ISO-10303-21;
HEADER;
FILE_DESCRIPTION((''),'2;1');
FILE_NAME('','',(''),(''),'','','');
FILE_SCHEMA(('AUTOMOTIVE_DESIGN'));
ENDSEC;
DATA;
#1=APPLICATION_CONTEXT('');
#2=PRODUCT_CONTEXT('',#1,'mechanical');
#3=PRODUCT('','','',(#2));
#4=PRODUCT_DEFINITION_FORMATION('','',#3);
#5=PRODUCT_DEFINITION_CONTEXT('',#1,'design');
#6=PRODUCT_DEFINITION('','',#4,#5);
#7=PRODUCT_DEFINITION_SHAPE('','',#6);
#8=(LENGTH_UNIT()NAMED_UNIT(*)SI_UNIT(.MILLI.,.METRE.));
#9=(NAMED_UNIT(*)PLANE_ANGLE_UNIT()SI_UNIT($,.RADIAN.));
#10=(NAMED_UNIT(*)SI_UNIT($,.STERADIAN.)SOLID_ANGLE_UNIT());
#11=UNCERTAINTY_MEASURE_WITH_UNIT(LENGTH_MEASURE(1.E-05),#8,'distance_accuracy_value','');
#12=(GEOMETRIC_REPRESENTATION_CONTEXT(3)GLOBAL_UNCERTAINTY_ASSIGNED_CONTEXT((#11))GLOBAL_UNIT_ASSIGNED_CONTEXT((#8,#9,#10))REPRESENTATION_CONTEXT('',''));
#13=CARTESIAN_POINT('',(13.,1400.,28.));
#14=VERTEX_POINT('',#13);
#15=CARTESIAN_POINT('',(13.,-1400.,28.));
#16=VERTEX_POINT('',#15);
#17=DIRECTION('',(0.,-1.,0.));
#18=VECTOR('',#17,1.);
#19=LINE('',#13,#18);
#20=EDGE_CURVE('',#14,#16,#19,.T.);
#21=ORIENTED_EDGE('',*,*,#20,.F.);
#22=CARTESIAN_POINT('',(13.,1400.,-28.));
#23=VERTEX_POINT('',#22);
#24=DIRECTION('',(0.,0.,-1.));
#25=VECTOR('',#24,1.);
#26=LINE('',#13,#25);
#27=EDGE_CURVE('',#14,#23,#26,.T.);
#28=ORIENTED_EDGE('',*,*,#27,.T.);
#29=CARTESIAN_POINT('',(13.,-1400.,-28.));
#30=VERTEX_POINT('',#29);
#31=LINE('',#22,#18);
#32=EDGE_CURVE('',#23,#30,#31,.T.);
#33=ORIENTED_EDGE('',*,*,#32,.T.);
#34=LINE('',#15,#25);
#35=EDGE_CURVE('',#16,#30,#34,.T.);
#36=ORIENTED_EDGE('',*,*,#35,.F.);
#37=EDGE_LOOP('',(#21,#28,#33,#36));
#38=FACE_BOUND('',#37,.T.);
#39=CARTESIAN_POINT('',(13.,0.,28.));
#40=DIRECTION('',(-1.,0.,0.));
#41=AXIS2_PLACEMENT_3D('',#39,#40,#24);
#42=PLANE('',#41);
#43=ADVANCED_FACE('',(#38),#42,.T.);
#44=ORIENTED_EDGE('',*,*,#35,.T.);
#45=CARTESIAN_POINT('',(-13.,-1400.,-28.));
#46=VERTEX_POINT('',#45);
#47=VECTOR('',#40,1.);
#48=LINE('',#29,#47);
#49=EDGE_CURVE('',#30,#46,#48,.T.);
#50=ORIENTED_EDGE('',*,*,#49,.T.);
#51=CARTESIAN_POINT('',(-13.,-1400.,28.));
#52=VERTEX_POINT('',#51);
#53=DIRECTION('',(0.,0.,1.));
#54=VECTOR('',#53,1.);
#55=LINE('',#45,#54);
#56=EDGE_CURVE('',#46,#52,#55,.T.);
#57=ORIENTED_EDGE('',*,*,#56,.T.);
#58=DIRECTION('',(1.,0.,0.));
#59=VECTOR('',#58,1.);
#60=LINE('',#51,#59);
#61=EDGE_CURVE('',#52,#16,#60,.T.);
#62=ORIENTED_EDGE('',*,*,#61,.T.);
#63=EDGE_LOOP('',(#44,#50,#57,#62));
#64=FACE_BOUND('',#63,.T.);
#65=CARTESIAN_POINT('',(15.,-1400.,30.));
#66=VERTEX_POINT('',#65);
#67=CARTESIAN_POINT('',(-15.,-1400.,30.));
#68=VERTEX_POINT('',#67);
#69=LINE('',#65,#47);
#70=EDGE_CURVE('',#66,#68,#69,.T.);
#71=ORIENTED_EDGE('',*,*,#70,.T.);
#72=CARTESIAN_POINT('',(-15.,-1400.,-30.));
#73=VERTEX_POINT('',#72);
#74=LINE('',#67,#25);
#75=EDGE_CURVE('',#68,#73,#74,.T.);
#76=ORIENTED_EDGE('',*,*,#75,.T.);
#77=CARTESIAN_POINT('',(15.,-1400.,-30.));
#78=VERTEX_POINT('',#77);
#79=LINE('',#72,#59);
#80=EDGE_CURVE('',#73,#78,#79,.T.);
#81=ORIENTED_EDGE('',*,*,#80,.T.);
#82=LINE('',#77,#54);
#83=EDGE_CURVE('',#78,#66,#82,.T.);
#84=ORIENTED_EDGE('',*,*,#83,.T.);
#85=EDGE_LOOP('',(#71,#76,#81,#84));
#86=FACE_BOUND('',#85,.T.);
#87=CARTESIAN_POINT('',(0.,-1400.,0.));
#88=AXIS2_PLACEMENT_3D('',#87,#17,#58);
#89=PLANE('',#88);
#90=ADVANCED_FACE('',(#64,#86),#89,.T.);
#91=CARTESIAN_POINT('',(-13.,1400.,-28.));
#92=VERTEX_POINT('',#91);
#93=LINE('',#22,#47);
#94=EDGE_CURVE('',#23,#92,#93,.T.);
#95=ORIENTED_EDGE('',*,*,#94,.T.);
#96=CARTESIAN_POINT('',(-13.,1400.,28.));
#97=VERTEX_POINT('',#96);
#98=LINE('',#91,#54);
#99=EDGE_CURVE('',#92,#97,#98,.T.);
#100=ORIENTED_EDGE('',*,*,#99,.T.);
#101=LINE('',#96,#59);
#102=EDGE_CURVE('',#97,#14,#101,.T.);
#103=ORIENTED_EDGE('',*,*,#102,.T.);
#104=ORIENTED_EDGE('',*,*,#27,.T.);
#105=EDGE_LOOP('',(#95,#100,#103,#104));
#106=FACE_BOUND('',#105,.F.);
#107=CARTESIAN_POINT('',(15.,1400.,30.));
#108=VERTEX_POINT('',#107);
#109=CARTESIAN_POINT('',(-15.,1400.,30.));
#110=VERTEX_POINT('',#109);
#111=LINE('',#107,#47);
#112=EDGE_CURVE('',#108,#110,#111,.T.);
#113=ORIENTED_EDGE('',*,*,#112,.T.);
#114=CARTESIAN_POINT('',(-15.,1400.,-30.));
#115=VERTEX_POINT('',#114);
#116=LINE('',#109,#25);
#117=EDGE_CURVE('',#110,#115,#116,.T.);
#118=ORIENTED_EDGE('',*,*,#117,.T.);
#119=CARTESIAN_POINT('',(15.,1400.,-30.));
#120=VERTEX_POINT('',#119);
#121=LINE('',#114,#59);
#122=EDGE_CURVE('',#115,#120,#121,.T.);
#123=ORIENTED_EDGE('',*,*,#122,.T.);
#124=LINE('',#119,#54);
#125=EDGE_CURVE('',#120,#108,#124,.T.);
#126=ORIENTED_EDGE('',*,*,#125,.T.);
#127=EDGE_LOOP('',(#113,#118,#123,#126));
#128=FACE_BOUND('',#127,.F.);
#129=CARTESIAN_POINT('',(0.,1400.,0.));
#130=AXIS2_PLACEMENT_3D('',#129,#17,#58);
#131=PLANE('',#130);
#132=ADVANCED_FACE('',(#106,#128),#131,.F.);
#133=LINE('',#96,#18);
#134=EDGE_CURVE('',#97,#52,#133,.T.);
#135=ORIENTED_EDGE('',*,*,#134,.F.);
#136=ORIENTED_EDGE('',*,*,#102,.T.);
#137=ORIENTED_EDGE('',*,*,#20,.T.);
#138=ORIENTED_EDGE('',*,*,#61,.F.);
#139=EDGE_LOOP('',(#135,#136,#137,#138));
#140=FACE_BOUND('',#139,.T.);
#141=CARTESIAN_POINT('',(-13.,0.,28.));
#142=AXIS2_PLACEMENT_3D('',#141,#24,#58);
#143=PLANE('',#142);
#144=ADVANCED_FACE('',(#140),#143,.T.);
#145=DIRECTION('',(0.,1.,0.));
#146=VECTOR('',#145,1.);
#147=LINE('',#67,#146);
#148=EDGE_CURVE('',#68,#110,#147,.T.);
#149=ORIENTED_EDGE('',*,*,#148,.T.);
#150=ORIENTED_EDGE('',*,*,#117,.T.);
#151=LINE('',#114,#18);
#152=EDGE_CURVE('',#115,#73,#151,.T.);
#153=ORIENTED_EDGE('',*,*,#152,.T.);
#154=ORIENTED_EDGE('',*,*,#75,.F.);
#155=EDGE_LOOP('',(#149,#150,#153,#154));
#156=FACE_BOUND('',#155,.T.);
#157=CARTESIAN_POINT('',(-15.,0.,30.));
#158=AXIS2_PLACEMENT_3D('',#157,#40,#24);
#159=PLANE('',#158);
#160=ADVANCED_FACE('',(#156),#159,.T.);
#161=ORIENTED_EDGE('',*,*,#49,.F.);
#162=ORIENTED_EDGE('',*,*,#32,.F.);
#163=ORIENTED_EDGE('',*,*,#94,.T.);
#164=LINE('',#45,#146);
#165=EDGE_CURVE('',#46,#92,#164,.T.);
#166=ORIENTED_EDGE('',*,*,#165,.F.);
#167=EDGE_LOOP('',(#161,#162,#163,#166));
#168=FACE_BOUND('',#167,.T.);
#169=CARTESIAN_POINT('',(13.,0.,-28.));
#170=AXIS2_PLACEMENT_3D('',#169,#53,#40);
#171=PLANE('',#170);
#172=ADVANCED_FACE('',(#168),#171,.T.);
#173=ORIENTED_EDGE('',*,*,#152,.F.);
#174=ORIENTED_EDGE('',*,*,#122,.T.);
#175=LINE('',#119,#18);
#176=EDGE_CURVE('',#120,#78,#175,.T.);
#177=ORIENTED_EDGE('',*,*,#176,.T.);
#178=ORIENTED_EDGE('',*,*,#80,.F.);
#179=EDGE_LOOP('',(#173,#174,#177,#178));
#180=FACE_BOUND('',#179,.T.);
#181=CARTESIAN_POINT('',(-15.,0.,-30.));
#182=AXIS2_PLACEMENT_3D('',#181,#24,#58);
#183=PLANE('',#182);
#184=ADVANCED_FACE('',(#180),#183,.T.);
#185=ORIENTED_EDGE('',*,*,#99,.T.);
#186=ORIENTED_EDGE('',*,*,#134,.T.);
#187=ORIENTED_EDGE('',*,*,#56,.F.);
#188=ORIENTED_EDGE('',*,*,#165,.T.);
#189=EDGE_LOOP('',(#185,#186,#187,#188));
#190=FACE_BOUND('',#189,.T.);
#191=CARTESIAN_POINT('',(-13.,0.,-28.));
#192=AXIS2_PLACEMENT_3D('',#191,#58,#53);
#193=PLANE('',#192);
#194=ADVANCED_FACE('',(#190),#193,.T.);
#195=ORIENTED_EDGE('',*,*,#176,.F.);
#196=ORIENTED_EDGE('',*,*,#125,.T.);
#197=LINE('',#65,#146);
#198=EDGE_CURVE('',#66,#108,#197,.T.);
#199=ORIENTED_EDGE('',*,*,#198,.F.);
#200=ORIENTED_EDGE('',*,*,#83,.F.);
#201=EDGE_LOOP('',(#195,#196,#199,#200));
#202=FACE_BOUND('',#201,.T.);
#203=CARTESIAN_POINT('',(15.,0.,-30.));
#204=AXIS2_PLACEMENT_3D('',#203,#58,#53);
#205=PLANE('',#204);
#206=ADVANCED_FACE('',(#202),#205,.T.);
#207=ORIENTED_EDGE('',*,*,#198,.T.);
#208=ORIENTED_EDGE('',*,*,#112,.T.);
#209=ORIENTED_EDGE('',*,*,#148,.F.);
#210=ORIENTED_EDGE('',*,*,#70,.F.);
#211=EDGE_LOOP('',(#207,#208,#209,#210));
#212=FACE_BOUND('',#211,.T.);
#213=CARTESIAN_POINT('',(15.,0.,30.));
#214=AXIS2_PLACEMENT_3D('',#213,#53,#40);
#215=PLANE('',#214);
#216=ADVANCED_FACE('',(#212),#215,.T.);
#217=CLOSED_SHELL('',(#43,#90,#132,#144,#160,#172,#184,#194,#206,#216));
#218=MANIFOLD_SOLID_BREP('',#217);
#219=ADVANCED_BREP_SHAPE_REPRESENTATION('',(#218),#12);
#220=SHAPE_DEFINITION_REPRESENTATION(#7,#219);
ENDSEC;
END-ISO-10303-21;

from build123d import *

# Parameters (mm, degrees)
F1_DEPTH = 1400


with BuildPart() as f1:
    # F0 (on Front) → F1 (new body, symmetric)
    with BuildSketch(Plane.XZ):
        Polygon((-15, 30), (-15, 0), (-15, -30), (15, -30), (15, 30), align=None)
        Polygon((-13, 0), (-13, 28), (13, 28), (13, -28), (-13, -28), align=None, mode=Mode.SUBTRACT)
    extrude(amount=F1_DEPTH, both=True)


solid = f1.part
